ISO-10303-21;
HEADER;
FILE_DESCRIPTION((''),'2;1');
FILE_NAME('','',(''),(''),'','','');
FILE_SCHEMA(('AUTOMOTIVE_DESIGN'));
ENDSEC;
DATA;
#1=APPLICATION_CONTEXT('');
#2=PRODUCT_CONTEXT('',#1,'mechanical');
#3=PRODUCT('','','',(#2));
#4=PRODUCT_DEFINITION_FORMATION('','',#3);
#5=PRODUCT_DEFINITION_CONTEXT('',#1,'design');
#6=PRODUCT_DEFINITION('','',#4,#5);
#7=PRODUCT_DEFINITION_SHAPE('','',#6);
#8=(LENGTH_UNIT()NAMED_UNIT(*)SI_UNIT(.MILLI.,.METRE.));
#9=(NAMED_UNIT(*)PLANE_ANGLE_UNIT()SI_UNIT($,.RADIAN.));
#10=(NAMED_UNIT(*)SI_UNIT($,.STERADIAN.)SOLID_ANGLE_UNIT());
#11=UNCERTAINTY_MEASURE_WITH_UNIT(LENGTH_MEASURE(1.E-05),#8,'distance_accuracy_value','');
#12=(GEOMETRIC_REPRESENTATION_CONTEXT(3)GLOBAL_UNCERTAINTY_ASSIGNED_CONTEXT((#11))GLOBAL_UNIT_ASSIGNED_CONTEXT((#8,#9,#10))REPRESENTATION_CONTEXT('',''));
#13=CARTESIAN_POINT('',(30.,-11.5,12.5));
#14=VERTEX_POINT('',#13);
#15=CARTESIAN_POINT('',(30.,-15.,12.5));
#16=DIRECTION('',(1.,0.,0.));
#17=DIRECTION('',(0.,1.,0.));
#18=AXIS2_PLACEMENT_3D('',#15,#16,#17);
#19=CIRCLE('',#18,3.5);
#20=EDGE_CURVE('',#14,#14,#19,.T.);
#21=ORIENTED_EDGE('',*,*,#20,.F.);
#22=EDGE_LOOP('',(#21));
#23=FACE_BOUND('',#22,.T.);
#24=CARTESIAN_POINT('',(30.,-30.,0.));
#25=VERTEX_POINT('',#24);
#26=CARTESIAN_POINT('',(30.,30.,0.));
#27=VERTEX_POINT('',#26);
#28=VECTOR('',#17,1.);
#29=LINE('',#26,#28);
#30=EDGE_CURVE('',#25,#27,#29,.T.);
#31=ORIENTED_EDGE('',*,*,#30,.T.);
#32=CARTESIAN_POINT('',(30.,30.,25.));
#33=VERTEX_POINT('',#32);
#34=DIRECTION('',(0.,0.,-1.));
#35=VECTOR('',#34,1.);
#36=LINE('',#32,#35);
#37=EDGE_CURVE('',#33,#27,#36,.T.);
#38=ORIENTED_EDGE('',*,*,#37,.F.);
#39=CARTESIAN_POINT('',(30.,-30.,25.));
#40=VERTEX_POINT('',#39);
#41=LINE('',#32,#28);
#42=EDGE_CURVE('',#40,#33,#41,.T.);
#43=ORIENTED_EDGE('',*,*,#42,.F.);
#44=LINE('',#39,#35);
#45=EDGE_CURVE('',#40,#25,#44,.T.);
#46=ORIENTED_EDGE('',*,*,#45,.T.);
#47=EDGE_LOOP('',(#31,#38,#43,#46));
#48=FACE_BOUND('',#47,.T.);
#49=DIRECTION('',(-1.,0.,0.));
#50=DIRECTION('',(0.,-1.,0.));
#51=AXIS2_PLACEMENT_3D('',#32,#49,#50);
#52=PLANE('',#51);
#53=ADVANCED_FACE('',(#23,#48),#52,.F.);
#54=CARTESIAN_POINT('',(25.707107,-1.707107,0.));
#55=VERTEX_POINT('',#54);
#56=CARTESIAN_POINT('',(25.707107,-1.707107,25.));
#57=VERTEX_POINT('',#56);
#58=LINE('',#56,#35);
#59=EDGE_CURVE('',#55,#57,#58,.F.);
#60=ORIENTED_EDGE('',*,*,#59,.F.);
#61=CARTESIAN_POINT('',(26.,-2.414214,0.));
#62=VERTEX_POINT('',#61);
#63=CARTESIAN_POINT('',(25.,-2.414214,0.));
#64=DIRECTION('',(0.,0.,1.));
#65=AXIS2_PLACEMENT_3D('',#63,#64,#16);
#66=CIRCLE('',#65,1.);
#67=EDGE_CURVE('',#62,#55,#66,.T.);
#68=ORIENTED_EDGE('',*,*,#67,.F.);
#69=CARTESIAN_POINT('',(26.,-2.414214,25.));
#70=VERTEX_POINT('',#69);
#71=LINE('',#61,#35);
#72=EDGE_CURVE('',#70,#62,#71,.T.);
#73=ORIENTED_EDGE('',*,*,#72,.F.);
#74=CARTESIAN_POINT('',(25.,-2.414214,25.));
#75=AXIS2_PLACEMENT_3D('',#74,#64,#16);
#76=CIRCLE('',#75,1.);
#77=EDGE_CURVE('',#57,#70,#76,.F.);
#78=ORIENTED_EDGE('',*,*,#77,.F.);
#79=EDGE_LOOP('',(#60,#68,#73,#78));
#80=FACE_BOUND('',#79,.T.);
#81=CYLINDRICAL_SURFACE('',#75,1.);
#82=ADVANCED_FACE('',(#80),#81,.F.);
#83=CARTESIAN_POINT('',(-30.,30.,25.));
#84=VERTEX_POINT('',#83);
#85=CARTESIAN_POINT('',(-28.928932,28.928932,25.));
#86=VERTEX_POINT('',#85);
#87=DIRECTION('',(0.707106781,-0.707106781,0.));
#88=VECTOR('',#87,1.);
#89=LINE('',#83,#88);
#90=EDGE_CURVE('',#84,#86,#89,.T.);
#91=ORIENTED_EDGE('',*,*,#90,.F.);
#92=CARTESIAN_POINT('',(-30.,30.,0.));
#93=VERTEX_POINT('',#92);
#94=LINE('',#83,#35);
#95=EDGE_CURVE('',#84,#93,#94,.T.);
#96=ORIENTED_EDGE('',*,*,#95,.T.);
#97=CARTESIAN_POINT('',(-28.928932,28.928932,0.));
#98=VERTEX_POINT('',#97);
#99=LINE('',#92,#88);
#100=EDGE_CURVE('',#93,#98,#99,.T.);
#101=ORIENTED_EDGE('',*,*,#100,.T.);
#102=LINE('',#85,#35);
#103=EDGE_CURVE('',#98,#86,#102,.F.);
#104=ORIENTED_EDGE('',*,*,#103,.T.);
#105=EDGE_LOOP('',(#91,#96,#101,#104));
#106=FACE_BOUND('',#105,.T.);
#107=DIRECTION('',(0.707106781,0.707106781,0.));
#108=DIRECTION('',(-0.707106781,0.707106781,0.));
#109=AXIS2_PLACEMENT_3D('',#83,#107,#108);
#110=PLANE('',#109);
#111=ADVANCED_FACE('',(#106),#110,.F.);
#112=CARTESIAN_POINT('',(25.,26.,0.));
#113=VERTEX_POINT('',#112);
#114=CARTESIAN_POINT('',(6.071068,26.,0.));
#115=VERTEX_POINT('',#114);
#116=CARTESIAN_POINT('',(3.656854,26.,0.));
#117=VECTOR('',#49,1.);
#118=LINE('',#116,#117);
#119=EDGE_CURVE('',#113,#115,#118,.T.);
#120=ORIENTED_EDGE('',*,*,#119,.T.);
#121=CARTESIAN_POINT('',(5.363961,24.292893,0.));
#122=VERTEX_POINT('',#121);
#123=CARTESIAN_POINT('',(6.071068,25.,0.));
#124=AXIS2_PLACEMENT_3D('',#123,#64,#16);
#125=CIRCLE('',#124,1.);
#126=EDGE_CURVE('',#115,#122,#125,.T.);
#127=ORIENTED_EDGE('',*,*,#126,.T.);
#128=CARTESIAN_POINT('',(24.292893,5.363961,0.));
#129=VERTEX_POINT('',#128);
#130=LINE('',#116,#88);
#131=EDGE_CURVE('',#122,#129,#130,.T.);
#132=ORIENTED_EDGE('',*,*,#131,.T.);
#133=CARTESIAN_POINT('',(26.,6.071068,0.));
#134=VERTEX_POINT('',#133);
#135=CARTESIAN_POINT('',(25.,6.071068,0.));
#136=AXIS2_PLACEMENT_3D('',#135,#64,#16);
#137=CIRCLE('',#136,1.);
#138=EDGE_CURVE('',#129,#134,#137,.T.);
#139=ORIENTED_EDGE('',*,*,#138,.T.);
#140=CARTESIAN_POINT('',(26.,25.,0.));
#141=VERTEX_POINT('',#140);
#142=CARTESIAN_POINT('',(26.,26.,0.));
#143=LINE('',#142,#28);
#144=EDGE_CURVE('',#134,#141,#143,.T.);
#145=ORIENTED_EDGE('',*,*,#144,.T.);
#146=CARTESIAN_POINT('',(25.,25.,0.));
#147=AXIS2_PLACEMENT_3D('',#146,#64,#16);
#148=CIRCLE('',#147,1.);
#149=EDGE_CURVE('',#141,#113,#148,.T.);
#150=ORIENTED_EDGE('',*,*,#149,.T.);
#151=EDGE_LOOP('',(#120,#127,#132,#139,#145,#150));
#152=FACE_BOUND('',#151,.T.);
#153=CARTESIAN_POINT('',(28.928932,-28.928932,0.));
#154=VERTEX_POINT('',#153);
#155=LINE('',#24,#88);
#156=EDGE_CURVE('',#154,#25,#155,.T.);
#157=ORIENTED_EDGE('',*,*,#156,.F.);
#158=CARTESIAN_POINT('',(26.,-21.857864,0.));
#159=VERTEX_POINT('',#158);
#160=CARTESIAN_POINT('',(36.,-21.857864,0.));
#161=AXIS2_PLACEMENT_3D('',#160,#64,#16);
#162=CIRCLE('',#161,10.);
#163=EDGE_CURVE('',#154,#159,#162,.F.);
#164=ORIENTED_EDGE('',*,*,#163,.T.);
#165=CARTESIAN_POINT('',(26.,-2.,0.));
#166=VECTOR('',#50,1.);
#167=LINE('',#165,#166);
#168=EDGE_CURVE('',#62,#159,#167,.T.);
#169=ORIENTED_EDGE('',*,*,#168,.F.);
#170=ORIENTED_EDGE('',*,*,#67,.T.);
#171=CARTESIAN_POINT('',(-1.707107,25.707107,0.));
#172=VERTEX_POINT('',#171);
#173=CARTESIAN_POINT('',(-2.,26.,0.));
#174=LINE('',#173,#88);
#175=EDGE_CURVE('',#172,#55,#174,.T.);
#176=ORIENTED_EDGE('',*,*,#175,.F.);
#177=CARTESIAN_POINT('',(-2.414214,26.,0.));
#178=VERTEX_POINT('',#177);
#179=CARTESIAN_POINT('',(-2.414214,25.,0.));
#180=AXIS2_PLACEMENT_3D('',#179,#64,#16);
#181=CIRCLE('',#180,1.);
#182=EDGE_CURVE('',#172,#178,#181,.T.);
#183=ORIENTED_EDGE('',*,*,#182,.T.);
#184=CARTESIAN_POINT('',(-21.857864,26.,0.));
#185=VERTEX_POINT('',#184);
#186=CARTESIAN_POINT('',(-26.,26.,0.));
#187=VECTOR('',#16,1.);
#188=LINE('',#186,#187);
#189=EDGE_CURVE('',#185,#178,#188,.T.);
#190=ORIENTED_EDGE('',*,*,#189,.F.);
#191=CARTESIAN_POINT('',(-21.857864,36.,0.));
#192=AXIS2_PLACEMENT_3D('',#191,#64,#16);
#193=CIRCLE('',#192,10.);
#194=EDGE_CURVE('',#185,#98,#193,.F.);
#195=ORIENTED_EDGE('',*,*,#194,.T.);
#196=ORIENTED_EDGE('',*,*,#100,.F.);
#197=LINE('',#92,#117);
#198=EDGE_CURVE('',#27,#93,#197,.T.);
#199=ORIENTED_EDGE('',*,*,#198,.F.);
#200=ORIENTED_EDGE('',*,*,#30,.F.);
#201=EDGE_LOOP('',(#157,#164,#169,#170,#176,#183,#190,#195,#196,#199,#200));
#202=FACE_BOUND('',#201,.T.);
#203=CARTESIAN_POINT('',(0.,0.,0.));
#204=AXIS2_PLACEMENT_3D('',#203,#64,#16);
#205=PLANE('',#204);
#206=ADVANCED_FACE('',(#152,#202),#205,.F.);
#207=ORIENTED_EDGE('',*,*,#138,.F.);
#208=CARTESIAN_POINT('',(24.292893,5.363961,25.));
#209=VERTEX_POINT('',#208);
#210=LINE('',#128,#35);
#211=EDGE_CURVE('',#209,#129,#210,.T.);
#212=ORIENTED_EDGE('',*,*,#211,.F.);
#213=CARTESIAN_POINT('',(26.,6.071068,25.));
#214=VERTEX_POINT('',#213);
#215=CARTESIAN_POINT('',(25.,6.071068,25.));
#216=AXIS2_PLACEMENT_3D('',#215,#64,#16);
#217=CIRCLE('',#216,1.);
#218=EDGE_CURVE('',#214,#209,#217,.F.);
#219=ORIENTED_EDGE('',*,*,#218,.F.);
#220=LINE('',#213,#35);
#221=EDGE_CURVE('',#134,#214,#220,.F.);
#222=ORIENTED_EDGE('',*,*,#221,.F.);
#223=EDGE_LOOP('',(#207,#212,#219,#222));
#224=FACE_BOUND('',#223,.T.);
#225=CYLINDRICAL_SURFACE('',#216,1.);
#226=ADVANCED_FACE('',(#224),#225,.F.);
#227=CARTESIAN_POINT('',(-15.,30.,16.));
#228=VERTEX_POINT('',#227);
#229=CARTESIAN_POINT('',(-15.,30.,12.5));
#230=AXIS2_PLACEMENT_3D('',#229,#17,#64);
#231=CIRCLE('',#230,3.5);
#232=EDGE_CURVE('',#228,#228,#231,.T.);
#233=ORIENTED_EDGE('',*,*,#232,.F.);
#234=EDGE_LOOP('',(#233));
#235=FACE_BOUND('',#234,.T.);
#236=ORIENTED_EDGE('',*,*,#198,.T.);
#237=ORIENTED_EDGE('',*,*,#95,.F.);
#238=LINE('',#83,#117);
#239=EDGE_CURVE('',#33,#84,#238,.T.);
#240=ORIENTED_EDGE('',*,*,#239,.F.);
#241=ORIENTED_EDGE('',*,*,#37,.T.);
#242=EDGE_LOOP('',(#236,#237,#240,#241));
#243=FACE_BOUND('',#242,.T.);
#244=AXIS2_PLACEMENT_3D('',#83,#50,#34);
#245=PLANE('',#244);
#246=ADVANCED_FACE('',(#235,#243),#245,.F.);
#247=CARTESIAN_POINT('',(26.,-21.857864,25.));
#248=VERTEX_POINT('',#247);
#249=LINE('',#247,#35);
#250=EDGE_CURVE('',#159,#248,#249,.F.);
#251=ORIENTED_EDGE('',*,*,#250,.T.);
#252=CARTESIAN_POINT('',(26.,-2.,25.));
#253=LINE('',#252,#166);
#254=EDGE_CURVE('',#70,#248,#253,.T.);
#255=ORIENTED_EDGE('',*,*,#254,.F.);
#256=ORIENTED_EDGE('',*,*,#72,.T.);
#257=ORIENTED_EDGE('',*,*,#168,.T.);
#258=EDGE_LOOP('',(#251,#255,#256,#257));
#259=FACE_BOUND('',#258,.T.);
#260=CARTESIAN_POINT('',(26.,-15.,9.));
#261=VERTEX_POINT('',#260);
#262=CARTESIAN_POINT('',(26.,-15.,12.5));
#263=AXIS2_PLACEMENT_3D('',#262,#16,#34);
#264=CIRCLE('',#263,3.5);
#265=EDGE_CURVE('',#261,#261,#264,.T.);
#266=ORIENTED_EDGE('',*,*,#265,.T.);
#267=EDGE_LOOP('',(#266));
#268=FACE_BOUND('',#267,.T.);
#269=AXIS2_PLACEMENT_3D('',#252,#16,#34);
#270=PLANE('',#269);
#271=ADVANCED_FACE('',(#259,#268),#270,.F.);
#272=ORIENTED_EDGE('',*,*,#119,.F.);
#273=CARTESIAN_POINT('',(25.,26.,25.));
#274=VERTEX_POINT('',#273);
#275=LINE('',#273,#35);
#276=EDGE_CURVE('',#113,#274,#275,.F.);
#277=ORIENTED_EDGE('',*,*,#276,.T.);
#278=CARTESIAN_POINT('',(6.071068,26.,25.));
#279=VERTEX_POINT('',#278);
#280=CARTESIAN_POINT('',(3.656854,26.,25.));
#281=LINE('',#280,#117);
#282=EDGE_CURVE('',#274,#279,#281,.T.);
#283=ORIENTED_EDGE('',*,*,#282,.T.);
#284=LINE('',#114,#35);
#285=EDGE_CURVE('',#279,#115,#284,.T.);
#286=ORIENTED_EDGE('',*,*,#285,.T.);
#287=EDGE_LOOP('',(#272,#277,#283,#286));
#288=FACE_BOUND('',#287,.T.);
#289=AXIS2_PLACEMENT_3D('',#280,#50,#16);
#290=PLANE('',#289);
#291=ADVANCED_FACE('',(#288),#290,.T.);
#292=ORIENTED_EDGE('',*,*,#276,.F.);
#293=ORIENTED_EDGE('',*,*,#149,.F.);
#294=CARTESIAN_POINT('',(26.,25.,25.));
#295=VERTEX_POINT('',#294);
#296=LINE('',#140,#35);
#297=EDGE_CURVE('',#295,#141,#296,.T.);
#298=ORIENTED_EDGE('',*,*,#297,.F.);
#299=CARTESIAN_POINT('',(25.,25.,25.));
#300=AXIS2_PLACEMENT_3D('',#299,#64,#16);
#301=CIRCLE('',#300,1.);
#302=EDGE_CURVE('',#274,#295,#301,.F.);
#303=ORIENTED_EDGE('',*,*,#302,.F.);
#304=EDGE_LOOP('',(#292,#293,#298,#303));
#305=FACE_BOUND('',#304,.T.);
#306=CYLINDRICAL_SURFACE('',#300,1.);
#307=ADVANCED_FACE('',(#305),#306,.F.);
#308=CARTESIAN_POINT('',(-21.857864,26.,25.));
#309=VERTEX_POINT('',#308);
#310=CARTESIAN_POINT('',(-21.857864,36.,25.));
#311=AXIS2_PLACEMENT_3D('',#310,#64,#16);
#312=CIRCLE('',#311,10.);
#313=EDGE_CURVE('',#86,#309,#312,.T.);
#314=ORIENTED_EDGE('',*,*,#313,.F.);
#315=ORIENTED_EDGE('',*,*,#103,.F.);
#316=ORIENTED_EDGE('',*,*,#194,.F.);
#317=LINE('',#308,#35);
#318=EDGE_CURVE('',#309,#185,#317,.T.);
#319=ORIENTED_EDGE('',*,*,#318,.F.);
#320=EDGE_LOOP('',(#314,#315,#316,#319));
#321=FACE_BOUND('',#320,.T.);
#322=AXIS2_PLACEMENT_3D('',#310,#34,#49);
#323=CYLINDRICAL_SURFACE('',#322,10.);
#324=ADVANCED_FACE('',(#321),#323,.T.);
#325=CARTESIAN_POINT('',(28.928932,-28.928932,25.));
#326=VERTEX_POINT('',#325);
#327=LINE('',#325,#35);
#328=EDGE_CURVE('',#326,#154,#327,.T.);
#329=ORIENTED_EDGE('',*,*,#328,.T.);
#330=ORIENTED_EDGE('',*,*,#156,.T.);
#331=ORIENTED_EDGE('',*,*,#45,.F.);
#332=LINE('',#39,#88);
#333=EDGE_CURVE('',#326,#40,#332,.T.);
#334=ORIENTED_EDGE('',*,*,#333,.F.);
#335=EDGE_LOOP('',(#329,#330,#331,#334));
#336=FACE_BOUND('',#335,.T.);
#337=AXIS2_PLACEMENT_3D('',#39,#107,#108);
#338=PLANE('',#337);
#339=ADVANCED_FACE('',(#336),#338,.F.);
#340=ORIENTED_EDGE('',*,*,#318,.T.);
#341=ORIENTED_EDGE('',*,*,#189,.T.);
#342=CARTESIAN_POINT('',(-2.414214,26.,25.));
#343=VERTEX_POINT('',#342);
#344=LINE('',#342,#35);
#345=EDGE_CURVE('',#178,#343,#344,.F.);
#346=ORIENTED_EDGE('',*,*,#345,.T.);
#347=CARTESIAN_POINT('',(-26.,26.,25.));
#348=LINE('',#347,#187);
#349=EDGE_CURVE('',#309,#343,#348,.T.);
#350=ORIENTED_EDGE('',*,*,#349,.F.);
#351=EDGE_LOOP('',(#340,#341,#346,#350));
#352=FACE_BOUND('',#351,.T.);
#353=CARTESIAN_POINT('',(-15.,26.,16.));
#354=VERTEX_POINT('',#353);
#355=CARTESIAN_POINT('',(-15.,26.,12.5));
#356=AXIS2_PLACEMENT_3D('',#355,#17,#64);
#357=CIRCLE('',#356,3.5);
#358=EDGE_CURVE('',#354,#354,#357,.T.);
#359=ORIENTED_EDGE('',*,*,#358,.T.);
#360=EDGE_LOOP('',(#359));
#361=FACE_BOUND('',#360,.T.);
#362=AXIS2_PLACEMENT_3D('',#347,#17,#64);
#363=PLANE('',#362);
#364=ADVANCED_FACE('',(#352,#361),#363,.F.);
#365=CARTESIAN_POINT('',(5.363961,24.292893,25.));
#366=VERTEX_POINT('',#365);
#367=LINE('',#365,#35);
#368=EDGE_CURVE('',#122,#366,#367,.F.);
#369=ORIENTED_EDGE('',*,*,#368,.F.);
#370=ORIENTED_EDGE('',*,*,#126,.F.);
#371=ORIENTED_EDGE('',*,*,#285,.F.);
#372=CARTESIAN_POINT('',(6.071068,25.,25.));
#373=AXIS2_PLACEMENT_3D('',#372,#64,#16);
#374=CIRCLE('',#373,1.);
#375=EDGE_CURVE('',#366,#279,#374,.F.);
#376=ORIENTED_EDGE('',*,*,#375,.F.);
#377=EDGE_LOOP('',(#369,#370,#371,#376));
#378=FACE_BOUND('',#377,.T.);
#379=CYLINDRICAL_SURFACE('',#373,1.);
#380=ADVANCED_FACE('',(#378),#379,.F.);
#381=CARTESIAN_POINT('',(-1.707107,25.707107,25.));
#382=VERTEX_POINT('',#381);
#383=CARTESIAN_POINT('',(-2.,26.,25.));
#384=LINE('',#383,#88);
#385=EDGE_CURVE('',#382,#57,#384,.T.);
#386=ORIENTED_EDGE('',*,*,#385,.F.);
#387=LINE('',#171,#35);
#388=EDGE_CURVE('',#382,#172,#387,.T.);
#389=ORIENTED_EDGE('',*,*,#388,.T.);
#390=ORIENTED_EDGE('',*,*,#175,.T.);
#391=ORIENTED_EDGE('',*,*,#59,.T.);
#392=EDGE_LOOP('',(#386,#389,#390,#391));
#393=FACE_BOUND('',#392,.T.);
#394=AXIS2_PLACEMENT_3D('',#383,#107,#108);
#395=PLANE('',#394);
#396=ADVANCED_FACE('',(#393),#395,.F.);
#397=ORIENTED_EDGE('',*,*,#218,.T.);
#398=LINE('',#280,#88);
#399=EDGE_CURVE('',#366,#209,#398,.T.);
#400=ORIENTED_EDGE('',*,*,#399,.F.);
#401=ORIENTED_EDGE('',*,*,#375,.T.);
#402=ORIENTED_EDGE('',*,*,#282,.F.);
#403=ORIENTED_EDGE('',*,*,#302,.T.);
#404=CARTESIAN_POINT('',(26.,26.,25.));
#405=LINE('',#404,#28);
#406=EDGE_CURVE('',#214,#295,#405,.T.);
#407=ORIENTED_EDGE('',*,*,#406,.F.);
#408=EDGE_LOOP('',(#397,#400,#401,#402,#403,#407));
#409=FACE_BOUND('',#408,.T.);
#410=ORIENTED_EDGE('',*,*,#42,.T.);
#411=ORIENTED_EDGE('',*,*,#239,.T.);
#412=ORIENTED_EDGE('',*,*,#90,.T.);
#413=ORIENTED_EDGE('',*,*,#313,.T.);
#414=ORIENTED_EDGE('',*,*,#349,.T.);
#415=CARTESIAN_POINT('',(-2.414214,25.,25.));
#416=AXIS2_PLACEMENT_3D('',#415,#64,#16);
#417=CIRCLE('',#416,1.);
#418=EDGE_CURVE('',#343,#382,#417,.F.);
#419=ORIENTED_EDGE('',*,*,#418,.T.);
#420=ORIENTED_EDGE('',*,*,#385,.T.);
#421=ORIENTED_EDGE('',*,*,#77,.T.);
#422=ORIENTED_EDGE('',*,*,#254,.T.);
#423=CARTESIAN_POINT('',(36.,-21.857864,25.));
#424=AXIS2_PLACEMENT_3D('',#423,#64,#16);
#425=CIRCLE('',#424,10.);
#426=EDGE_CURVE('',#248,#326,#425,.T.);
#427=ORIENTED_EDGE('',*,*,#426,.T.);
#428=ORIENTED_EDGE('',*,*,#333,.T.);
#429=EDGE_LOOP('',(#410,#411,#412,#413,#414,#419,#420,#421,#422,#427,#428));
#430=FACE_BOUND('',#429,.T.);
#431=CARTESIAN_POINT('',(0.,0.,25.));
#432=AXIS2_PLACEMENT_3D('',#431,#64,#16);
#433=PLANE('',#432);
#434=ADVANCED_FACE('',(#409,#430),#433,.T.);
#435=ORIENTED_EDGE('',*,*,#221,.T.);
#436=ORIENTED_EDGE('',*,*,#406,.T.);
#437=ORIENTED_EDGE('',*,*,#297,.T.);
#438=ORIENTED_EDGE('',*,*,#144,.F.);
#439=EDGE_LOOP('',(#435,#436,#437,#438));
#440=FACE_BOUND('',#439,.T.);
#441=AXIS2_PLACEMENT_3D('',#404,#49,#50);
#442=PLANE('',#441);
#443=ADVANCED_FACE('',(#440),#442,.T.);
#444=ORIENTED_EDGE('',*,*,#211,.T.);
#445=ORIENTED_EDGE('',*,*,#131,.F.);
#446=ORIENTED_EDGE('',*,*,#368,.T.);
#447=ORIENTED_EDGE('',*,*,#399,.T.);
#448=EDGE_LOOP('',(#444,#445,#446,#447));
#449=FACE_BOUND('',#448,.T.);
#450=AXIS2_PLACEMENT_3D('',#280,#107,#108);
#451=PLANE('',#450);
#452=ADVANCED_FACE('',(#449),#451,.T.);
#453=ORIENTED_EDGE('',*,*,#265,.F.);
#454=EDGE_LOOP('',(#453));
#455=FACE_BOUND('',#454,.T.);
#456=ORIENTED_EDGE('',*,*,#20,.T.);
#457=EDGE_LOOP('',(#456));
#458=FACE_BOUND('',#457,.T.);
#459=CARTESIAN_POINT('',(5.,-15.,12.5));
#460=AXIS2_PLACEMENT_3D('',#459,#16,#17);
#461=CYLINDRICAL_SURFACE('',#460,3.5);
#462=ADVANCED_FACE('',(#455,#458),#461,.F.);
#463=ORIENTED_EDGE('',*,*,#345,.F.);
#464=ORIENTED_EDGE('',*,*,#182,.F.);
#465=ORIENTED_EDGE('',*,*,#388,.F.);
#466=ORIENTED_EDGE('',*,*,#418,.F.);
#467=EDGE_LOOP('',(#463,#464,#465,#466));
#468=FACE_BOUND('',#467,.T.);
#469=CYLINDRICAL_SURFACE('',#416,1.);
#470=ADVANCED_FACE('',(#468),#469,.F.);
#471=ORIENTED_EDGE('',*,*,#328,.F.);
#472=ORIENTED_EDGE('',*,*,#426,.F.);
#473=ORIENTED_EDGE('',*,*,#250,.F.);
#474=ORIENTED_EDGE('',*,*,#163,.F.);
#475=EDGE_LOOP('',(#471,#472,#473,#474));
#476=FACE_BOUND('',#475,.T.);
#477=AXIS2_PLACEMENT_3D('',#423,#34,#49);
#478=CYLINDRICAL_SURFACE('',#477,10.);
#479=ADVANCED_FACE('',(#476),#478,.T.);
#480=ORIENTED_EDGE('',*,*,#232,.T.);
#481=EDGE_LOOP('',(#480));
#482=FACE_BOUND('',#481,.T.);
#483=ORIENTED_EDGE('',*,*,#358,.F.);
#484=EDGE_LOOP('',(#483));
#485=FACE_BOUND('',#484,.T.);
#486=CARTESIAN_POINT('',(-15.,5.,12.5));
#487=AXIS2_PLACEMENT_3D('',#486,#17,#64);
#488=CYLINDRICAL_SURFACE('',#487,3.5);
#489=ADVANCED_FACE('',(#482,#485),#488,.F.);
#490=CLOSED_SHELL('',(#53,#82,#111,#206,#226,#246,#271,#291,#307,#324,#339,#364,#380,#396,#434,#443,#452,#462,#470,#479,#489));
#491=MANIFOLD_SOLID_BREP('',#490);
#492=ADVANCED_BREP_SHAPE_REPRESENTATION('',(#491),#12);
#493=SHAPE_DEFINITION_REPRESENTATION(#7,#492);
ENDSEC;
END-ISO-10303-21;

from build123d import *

# Parameters (mm, degrees)
EXTRUDE_1_DEPTH     = 25
FILLET_1_R          = 10
FILLET_2_R          = 1
SKETCH_2_R          = 3.5
CUT_EXTRUDE_2_DEPTH = 25
SKETCH_4_R          = 3.5
CUT_EXTRUDE_3_DEPTH = 25


with BuildPart() as part:
    # 스케치1 → 보스-돌출1 (new body)
    with BuildSketch(Plane.XY):
        Polygon((-30, 30), (30, 30), (30, -30), (26, -26), (26, -2), (-2, 26), (-26, 26), align=None)
        Polygon((26, 26), (26, 3.656854249), (3.656854249, 26), align=None, mode=Mode.SUBTRACT)
    extrude(amount=EXTRUDE_1_DEPTH)

    # 필렛1
    fillet_1_edges = [part.edges().sort_by_distance(p)[0] for p in [
        (26, -26, 12.5),
        (-26, 26, 12.5),
    ]]
    fillet(fillet_1_edges, radius=FILLET_1_R)

    # 필렛2
    fillet_2_edges = [part.edges().sort_by_distance(p)[0] for p in [
        (26, -2, 12.5),
        (-2, 26, 12.5),
        (26, 26, 12.5),
        (3.656854249, 26, 12.5),
        (26, 3.656854249, 12.5),
    ]]
    fillet(fillet_2_edges, radius=FILLET_2_R)

    # 스케치2 → 컷-돌출2 (cut)
    with BuildSketch(Plane(origin=(0, 30, 0), x_dir=(1, 0, 0), z_dir=(0, 1, 0))):
        with Locations((-15, -12.5)):
            Circle(SKETCH_2_R)
    extrude(amount=-CUT_EXTRUDE_2_DEPTH, mode=Mode.SUBTRACT)

    # 스케치4 → 컷-돌출3 (cut)
    with BuildSketch(Plane(origin=(30, 0, 0), x_dir=(0, 0, -1), z_dir=(1, 0, 0))):
        with Locations((-12.5, -15)):
            Circle(SKETCH_4_R)
    extrude(amount=-CUT_EXTRUDE_3_DEPTH, mode=Mode.SUBTRACT)


solid = part.part
